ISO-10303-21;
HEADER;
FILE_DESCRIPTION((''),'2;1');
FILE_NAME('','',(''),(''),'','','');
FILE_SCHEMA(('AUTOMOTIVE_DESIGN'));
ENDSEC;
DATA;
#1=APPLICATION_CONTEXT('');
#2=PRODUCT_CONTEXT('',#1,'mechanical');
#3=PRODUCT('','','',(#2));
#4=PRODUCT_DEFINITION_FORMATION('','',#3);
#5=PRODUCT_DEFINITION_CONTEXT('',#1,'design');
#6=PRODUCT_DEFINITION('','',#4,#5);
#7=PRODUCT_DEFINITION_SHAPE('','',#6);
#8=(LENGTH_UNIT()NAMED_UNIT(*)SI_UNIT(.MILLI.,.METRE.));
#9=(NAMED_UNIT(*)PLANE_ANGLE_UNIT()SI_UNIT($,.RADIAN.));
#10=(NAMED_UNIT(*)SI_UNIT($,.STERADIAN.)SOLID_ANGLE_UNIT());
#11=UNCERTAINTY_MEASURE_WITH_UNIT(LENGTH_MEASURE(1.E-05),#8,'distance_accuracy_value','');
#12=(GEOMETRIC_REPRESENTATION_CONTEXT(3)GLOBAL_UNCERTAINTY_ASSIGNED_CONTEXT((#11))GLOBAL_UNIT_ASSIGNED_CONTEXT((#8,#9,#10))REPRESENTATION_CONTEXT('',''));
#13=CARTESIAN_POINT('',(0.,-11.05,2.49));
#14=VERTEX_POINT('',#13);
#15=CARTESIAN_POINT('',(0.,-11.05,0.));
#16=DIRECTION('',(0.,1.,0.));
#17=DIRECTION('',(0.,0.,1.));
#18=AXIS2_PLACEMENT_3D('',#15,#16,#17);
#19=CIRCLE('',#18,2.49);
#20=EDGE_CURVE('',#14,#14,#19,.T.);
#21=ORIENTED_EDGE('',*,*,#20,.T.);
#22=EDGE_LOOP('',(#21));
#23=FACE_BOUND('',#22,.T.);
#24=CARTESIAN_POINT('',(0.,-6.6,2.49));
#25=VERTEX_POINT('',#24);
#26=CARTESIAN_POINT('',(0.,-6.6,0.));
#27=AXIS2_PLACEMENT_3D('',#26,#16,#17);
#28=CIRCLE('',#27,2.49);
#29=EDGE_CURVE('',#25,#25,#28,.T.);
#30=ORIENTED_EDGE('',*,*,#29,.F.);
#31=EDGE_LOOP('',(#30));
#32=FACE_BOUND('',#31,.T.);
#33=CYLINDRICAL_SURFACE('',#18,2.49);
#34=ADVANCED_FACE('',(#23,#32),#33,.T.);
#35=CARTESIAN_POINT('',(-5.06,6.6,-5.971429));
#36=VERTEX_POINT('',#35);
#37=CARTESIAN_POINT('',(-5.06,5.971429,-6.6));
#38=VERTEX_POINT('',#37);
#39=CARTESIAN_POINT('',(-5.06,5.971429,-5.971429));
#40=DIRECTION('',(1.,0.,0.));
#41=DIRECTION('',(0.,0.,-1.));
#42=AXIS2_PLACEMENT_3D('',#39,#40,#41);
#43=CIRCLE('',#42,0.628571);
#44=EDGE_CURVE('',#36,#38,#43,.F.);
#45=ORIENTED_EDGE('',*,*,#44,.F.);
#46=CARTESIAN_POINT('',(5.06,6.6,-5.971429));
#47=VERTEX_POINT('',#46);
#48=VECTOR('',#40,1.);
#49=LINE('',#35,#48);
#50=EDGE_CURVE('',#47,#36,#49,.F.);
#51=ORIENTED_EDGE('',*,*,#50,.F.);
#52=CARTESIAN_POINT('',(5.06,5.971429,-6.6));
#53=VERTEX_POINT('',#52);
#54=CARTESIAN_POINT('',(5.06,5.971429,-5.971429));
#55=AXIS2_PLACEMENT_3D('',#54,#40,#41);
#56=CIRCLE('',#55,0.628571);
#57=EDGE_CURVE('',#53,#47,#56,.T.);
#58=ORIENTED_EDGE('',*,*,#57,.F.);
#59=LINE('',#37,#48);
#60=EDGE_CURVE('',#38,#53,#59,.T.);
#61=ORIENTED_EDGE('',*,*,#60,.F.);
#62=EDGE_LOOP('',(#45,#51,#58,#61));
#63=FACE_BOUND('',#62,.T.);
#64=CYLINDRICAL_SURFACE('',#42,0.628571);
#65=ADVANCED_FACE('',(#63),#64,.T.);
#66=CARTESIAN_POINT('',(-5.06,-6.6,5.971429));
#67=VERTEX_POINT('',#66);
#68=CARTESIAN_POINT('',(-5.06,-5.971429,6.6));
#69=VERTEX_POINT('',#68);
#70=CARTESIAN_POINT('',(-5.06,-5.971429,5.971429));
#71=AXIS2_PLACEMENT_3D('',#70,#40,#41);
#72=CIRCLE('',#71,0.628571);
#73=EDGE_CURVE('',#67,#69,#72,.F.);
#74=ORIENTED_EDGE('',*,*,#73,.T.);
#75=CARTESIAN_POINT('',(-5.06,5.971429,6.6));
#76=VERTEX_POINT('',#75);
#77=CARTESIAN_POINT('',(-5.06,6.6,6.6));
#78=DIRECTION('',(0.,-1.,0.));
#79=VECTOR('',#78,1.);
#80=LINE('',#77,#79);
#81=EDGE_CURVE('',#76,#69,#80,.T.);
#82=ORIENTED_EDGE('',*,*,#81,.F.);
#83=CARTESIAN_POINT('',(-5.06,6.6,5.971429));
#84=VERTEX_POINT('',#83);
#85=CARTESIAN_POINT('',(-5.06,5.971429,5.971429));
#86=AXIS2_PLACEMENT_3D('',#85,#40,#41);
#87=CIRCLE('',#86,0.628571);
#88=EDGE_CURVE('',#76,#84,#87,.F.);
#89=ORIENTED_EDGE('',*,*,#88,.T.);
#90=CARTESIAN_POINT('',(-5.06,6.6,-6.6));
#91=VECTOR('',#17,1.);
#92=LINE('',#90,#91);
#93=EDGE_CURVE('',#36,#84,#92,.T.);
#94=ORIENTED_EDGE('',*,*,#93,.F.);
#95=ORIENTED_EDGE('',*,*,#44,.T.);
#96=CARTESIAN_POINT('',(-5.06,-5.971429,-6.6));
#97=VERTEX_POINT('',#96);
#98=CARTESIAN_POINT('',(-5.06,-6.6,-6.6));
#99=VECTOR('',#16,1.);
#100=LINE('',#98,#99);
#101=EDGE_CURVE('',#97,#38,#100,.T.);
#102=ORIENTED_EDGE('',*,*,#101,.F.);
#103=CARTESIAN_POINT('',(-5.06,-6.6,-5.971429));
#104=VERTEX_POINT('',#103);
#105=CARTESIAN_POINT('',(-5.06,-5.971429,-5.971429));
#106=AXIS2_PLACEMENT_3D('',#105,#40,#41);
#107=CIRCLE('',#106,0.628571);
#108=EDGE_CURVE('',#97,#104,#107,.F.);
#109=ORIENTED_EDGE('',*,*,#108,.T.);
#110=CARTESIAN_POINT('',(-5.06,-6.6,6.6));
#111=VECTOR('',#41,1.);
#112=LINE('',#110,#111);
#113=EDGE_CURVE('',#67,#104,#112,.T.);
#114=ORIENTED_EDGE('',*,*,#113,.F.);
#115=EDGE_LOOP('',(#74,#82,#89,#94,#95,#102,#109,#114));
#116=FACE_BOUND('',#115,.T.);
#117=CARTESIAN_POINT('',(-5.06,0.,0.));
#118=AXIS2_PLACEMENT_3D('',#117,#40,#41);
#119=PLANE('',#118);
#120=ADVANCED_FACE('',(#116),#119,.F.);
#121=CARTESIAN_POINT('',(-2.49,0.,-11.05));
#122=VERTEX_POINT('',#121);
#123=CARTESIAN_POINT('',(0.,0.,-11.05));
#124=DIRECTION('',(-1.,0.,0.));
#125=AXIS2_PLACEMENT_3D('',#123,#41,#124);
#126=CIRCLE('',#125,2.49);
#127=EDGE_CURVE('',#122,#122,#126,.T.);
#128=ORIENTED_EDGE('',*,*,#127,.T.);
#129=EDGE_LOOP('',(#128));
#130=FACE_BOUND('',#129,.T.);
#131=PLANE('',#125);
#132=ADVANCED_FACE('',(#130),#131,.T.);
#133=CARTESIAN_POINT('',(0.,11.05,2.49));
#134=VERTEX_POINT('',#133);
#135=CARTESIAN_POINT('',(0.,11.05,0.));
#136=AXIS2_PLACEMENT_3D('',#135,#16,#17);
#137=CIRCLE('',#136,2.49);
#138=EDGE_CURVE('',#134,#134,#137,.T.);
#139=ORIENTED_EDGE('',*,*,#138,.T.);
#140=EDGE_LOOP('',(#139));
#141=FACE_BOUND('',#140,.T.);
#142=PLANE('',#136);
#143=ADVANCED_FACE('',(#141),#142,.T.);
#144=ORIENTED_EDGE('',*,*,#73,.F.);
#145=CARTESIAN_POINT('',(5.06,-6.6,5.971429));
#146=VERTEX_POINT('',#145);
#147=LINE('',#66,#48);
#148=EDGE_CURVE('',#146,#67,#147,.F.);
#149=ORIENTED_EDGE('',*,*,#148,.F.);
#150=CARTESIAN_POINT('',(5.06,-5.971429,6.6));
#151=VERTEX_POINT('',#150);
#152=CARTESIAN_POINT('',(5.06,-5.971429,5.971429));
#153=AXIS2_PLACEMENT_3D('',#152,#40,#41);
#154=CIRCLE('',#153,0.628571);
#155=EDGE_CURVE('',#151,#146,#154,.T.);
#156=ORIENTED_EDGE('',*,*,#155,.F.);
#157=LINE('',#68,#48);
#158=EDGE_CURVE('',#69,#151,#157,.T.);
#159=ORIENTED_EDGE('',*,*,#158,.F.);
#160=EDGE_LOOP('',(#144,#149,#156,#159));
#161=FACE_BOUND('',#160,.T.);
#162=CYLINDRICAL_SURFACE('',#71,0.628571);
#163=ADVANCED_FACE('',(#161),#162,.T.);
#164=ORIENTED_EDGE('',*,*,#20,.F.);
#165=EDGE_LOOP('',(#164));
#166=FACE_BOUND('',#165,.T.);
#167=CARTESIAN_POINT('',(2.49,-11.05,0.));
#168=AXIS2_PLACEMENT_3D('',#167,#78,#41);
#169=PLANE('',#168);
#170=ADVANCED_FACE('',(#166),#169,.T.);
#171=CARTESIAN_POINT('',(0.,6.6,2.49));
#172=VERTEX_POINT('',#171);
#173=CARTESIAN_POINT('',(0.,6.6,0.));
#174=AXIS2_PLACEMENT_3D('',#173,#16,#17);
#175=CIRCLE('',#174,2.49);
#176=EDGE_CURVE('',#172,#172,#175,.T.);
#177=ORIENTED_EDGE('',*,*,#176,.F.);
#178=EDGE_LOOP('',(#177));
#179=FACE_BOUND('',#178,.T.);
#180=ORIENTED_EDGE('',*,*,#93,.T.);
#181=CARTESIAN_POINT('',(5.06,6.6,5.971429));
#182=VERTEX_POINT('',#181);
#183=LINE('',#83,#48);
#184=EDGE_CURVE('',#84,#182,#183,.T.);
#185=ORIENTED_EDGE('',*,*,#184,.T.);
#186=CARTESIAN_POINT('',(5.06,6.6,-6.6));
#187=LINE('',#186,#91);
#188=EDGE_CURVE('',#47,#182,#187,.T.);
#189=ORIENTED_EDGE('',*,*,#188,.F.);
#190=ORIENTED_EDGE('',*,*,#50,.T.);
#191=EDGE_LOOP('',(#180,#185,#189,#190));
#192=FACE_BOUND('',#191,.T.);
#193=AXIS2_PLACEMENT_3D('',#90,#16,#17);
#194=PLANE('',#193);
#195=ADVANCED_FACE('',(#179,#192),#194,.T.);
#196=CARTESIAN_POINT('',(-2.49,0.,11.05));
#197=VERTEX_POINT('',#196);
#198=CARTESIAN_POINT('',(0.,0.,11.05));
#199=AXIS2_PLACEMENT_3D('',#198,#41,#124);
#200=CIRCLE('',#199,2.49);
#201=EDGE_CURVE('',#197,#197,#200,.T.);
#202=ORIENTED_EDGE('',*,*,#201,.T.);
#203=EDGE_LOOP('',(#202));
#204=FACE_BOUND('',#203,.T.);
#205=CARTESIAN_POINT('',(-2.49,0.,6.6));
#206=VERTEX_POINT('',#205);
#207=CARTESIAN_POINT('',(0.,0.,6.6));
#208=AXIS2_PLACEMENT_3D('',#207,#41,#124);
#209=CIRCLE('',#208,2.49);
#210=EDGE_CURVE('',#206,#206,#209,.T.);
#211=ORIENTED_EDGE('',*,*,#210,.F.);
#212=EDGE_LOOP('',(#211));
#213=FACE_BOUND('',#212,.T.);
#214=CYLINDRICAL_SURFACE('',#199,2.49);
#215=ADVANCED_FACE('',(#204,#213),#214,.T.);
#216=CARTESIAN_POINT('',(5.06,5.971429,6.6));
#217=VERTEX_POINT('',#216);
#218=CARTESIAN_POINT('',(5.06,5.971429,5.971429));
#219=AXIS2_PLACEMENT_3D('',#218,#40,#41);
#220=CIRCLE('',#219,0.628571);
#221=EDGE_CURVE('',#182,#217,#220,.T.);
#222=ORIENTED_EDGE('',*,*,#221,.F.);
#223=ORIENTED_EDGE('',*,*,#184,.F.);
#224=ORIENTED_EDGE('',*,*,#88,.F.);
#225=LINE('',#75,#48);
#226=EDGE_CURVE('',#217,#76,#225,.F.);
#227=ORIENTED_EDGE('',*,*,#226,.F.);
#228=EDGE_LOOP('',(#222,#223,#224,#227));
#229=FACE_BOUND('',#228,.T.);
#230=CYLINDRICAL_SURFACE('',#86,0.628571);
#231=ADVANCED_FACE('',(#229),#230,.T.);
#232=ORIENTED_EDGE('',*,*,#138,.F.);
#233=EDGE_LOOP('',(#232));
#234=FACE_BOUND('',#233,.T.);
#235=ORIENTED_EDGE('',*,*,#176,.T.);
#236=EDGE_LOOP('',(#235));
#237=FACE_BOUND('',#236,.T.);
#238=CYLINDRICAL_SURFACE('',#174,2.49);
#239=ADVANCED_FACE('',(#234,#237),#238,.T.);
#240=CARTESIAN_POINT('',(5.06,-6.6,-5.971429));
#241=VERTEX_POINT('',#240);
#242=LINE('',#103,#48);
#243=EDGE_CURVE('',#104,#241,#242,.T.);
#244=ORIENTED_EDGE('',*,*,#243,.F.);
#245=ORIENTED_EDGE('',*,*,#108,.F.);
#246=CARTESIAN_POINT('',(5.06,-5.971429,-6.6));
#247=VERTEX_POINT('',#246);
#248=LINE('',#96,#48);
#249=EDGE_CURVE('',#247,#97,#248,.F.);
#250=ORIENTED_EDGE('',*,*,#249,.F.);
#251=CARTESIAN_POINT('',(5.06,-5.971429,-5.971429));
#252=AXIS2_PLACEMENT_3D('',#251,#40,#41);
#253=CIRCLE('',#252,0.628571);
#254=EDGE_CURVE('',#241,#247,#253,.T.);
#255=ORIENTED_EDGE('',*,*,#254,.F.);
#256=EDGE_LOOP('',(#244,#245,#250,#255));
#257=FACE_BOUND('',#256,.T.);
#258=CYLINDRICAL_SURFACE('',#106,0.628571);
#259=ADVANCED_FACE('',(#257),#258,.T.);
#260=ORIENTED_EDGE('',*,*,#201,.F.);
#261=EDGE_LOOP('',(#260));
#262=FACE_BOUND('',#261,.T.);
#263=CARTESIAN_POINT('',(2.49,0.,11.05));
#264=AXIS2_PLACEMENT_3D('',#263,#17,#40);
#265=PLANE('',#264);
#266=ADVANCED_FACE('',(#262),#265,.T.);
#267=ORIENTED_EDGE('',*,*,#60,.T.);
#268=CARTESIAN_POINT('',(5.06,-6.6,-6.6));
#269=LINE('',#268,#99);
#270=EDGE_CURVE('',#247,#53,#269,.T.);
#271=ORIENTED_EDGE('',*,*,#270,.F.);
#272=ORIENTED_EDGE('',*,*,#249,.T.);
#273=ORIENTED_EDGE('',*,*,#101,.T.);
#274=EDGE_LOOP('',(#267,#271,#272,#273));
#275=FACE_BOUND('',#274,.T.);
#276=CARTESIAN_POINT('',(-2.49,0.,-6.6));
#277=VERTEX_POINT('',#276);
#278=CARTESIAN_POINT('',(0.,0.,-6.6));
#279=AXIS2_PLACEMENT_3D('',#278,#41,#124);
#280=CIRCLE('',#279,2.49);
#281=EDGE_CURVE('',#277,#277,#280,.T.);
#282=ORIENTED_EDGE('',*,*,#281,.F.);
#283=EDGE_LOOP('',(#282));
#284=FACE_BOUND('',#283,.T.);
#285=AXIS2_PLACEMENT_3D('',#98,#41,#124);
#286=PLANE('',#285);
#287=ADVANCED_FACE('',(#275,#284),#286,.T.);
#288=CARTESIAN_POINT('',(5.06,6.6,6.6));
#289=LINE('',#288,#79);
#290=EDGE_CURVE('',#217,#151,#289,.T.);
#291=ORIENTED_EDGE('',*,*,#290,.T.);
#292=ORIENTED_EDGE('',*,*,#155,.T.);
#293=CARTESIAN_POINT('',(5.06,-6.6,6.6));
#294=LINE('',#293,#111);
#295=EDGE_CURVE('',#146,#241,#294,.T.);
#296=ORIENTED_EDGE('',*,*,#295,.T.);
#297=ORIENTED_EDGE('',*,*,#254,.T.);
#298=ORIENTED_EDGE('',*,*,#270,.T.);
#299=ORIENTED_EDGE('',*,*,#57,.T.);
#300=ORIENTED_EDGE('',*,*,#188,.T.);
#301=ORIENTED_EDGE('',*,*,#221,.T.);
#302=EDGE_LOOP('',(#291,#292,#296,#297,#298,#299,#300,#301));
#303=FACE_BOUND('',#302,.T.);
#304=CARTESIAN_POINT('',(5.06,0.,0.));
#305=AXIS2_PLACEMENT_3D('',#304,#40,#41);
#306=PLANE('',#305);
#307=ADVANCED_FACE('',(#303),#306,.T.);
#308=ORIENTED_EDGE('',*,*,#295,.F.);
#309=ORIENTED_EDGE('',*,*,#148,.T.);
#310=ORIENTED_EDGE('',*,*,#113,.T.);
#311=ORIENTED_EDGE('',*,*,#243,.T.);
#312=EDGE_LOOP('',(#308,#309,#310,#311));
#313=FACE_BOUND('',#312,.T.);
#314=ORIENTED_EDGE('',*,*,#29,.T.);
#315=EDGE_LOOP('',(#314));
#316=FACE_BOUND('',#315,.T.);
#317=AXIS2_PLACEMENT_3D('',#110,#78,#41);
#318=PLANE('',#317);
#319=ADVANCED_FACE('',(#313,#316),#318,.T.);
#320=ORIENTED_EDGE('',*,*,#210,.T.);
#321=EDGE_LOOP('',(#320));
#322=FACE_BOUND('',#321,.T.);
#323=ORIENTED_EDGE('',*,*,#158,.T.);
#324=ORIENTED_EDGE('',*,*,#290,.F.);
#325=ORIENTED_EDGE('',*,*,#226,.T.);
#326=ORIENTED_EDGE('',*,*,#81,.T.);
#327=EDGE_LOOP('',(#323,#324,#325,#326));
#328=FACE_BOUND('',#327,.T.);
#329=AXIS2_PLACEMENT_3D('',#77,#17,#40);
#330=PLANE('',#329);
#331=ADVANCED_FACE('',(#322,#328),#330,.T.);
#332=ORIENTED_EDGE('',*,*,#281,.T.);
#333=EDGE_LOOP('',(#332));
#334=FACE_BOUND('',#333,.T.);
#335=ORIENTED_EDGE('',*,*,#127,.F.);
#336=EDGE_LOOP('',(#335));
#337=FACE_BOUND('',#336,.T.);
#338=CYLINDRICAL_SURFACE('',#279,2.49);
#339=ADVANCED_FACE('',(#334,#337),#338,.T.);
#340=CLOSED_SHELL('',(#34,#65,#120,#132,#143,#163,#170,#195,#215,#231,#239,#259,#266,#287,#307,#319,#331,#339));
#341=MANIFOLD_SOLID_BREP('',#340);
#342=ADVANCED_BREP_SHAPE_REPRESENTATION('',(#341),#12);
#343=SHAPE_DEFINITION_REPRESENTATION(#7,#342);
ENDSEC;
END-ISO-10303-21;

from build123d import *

# Parameters (mm, degrees)
SZKIC1_W                    = 13.2
SZKIC1_H                    = 13.2
DODANIE_WYCI_GNI_CIE1_DEPTH = 10.12
SZKIC2_W                    = 2.49
SZKIC2_H                    = 4.45
SZKIC3_W                    = 2.49
SZKIC3_H                    = 4.45
SZKIC4_W                    = 2.49
SZKIC4_H                    = 4.45
SZKIC5_W                    = 2.49
SZKIC5_H                    = 4.45
ZAOKR_GLENIE1_R             = 0.628571429


with BuildPart() as part:
    # Szkic1 → Dodanie-wyciągnięcie1 (new body)
    with BuildSketch(Plane(origin=(5.06, 0, 0), x_dir=(0, 0, -1), z_dir=(1, 0, 0))):
        Rectangle(SZKIC1_W, SZKIC1_H)
    extrude(amount=-DODANIE_WYCI_GNI_CIE1_DEPTH)

    # Szkic2 → Obrót1 (revolve)
    with BuildSketch(Plane(origin=(0, 0, 0), x_dir=(-1, 0, 0), z_dir=(0, 0, -1))):
        with Locations((-1.245, 8.825)):
            Rectangle(SZKIC2_W, SZKIC2_H)
    revolve(axis=Axis((0, 6.6, 0), (0, 1, 0)))

    # Szkic3 → Obrót2 (revolve)
    with BuildSketch(Plane.XZ):
        with Locations((1.245, -8.825)):
            Rectangle(SZKIC3_W, SZKIC3_H)
    revolve(axis=Axis((0, 0, -6.6), (0, 0, -1)))

    # Szkic4 → Obrót3 (revolve)
    with BuildSketch(Plane(origin=(0, 0, 0), x_dir=(-1, 0, 0), z_dir=(0, 0, -1))):
        with Locations((-1.245, -8.825)):
            Rectangle(SZKIC4_W, SZKIC4_H)
    revolve(axis=Axis((0, -11.05, 0), (0, 1, 0)))

    # Szkic5 → Obrót4 (revolve)
    with BuildSketch(Plane.XZ):
        with Locations((1.245, 8.825)):
            Rectangle(SZKIC5_W, SZKIC5_H)
    revolve(axis=Axis((0, 0, 11.05), (0, 0, -1)))

    # Zaokrąglenie1
    zaokr_glenie1_edges = [part.edges().sort_by_distance(p)[0] for p in [
        (0, 6.6, -6.6),
        (0, -6.6, -6.6),
        (0, -6.6, 6.6),
        (0, 6.6, 6.6),
    ]]
    fillet(zaokr_glenie1_edges, radius=ZAOKR_GLENIE1_R)


solid = part.part
